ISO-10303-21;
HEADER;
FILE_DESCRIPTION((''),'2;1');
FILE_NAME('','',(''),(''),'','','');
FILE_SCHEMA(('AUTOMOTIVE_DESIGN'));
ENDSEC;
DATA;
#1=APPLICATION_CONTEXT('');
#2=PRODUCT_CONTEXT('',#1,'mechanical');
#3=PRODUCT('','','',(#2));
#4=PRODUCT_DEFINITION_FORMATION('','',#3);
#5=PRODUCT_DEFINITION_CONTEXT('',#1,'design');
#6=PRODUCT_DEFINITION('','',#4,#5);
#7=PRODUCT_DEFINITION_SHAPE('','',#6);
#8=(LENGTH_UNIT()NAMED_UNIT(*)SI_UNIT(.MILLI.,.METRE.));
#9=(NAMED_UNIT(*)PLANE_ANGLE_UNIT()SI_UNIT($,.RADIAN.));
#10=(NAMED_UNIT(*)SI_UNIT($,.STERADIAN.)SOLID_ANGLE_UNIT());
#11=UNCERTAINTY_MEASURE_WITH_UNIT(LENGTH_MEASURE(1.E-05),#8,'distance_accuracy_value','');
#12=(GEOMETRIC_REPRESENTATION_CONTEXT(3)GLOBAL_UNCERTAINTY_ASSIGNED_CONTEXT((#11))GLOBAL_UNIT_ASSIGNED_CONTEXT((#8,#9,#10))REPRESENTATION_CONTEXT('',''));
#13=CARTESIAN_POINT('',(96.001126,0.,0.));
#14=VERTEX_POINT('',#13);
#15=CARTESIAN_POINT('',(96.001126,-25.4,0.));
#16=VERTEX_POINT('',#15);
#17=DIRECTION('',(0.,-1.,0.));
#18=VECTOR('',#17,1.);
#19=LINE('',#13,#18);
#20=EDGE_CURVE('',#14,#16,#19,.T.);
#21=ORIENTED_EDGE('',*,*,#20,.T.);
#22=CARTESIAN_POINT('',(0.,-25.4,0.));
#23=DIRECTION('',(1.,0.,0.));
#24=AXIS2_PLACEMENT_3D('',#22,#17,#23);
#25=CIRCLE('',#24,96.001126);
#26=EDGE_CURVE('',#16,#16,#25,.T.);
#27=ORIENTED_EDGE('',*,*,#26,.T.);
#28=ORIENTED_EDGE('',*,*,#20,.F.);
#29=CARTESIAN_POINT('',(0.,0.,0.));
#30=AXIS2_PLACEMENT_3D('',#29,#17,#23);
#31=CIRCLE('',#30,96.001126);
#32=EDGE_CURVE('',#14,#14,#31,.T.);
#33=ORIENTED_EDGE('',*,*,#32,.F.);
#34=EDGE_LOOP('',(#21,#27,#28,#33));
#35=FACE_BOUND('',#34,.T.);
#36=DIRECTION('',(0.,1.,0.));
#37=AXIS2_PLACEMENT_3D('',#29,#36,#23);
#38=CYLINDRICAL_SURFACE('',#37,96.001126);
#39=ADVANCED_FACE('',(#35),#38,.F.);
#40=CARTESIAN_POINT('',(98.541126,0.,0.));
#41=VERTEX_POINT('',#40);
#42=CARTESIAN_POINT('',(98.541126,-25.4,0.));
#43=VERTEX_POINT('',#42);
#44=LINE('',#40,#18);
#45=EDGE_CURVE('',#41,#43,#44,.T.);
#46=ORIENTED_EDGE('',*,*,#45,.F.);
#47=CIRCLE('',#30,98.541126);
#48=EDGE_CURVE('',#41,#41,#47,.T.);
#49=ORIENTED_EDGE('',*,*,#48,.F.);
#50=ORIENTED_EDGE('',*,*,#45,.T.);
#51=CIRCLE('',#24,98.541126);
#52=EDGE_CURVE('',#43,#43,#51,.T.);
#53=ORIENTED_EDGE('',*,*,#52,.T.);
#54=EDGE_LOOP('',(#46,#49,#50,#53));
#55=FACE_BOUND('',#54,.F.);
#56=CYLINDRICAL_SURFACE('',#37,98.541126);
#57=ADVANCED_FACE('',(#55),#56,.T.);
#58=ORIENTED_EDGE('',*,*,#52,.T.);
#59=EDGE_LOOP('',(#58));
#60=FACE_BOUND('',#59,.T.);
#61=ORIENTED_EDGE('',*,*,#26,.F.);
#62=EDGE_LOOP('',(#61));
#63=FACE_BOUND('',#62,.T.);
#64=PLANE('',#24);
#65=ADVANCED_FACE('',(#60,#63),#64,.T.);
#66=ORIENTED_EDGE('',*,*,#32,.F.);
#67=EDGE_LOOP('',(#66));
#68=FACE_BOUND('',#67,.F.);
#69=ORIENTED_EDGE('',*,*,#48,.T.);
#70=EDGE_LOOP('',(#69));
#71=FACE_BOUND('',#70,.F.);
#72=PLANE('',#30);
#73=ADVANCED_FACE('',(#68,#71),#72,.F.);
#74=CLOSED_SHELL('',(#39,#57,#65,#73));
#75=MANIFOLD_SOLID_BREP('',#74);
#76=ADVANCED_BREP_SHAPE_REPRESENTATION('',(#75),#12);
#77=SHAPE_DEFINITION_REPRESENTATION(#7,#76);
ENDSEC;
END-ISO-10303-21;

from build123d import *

# Parameters (mm, degrees)
F0_R     = 98.5411260824
F0_R_2   = 79.1014051969
F1_DEPTH = 25.4
F2_T     = -2.54


with BuildPart() as f1:
    # F0 (on Front) → F1 (new body)
    with BuildSketch(Plane.XZ):
        Circle(F0_R)
        Circle(F0_R_2, mode=Mode.SUBTRACT)
        Circle(F0_R_2)
    extrude(amount=F1_DEPTH)

    # F2
    f2_openings = [f1.faces().sort_by_distance(p)[0] for p in [
        (0, -25.4, 0),
        (0, 0, 0),
    ]]
    offset(amount=F2_T, openings=f2_openings)


solid = f1.part
